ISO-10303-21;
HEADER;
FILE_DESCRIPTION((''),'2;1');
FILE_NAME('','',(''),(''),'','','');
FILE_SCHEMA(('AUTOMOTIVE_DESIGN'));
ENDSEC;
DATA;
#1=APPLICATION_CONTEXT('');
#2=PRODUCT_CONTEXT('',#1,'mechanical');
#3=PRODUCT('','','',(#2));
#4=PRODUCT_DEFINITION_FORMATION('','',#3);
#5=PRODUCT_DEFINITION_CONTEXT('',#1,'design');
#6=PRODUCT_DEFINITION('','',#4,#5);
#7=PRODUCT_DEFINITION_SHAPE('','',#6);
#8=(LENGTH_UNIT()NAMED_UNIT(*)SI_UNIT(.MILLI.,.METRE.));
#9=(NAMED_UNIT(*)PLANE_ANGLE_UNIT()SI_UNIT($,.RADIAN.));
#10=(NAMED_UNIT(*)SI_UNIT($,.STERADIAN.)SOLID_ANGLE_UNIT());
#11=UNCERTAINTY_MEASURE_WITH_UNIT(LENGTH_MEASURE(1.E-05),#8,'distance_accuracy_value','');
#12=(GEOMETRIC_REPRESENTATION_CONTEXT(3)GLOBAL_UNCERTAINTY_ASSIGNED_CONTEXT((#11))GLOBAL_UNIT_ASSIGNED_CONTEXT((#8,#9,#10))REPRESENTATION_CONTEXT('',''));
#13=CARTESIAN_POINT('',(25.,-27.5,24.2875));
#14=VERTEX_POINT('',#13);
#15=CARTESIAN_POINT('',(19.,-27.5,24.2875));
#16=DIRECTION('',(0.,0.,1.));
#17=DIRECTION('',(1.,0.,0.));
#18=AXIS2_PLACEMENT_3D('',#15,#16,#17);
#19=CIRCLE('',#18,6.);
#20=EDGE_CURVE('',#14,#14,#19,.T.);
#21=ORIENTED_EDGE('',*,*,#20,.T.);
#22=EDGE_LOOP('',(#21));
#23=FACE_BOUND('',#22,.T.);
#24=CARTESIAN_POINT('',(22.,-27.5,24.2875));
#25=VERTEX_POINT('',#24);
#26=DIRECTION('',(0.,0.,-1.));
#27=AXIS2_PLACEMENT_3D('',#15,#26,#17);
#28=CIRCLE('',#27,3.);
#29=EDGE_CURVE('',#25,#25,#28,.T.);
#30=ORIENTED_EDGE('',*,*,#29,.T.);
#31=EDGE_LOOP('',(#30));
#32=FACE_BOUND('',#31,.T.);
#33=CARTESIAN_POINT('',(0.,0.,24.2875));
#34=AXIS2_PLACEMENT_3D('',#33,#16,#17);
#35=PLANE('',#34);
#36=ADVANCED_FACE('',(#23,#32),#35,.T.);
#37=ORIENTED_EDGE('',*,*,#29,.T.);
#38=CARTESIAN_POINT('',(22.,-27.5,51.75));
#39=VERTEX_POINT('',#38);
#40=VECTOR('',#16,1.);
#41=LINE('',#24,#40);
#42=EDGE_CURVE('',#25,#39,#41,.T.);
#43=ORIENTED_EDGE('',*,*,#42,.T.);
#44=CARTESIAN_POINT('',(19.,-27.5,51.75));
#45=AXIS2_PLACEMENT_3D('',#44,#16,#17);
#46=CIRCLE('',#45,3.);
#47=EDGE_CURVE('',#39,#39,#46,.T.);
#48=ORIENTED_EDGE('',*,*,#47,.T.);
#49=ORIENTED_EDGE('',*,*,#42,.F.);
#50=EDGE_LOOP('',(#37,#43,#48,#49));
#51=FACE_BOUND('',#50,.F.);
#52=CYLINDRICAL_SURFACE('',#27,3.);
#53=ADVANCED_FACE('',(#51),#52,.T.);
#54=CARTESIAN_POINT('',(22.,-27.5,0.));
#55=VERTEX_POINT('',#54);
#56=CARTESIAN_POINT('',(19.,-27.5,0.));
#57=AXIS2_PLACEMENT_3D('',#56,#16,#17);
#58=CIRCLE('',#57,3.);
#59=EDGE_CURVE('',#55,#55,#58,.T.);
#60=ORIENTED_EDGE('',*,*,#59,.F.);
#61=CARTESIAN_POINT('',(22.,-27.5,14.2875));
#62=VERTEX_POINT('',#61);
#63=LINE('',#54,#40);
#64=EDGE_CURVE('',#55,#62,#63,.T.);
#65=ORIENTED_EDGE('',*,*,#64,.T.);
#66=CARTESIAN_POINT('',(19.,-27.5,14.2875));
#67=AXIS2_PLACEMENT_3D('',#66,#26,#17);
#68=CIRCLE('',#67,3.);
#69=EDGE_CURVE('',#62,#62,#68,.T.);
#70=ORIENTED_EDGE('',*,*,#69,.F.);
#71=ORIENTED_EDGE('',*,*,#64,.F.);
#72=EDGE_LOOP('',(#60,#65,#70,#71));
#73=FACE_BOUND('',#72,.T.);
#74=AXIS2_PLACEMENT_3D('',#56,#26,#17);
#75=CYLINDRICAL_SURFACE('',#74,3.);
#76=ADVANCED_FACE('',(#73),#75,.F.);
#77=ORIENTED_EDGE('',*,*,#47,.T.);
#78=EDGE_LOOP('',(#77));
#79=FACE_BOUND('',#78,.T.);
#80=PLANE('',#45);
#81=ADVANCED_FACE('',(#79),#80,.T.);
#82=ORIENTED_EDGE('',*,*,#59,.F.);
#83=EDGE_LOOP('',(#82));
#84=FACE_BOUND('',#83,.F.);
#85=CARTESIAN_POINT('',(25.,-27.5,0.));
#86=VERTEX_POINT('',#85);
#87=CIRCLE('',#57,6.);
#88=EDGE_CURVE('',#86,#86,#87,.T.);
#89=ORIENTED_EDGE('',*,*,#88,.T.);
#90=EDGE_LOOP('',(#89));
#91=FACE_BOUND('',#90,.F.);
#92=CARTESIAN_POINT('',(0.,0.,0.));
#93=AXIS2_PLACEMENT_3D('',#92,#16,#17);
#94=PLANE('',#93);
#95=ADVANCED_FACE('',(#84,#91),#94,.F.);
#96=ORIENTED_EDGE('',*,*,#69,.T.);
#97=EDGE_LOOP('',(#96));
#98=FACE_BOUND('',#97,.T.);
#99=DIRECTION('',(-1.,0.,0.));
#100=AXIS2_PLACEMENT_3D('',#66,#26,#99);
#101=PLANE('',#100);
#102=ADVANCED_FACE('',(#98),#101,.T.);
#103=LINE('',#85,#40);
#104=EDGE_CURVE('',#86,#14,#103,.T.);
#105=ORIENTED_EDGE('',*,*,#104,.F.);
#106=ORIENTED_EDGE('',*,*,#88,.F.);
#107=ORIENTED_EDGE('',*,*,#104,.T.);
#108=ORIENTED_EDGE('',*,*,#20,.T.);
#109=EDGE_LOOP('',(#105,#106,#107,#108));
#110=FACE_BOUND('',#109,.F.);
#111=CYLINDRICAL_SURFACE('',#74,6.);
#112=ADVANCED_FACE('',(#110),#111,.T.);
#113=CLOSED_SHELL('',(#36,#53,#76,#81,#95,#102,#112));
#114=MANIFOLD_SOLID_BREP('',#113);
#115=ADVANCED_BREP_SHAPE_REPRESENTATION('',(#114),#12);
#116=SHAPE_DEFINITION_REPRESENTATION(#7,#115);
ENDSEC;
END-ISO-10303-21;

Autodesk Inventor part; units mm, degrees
ref_plane "YZ Plane" through (0, 0, 0) normal (1, 0, 0) x (0, 1, 0)
ref_plane "XZ Plane" through (0, 0, 0) normal (0, 1, 0) x (-1, 0, 0)
ref_plane "XY Plane" through (0, 0, 0) normal (0, 0, 1) x (1, 0, 0)
sketch "Sketch1" plane through (0, 0, 0) normal (0, 0, 1) x (1, 0, 0)
  circle A0 centre (19, -27.5) radius 3 projected
  circle A1 centre (19, -27.5) radius 6
  point P0 (0, 0)
  dimension "d0" = 12
extrude "Extrusion1" add sketch "Sketch1" along normal blind 24.2875
sketch "Sketch2" plane through (19, -27.5, 24.2875) normal (0, 0, 1) x (1, 0, 0)
  circle A0 centre (0, 0) radius 3
  point P0 (-19, 27.5)
  dimension "d3" = 6
extrude "Extrusion2" add sketch "Sketch2" along normal blind 27.4625
sketch "Sketch3" plane through (19, -27.5, 24.2875) normal (0, 0, -1) x (-1, 0, 0)
  circle A0 centre (0, 0) radius 3
  point P0 (19, 27.5)
extrude "Extrusion3" add sketch "Sketch3" along normal blind 10
properties part number "fuckup fixer"
